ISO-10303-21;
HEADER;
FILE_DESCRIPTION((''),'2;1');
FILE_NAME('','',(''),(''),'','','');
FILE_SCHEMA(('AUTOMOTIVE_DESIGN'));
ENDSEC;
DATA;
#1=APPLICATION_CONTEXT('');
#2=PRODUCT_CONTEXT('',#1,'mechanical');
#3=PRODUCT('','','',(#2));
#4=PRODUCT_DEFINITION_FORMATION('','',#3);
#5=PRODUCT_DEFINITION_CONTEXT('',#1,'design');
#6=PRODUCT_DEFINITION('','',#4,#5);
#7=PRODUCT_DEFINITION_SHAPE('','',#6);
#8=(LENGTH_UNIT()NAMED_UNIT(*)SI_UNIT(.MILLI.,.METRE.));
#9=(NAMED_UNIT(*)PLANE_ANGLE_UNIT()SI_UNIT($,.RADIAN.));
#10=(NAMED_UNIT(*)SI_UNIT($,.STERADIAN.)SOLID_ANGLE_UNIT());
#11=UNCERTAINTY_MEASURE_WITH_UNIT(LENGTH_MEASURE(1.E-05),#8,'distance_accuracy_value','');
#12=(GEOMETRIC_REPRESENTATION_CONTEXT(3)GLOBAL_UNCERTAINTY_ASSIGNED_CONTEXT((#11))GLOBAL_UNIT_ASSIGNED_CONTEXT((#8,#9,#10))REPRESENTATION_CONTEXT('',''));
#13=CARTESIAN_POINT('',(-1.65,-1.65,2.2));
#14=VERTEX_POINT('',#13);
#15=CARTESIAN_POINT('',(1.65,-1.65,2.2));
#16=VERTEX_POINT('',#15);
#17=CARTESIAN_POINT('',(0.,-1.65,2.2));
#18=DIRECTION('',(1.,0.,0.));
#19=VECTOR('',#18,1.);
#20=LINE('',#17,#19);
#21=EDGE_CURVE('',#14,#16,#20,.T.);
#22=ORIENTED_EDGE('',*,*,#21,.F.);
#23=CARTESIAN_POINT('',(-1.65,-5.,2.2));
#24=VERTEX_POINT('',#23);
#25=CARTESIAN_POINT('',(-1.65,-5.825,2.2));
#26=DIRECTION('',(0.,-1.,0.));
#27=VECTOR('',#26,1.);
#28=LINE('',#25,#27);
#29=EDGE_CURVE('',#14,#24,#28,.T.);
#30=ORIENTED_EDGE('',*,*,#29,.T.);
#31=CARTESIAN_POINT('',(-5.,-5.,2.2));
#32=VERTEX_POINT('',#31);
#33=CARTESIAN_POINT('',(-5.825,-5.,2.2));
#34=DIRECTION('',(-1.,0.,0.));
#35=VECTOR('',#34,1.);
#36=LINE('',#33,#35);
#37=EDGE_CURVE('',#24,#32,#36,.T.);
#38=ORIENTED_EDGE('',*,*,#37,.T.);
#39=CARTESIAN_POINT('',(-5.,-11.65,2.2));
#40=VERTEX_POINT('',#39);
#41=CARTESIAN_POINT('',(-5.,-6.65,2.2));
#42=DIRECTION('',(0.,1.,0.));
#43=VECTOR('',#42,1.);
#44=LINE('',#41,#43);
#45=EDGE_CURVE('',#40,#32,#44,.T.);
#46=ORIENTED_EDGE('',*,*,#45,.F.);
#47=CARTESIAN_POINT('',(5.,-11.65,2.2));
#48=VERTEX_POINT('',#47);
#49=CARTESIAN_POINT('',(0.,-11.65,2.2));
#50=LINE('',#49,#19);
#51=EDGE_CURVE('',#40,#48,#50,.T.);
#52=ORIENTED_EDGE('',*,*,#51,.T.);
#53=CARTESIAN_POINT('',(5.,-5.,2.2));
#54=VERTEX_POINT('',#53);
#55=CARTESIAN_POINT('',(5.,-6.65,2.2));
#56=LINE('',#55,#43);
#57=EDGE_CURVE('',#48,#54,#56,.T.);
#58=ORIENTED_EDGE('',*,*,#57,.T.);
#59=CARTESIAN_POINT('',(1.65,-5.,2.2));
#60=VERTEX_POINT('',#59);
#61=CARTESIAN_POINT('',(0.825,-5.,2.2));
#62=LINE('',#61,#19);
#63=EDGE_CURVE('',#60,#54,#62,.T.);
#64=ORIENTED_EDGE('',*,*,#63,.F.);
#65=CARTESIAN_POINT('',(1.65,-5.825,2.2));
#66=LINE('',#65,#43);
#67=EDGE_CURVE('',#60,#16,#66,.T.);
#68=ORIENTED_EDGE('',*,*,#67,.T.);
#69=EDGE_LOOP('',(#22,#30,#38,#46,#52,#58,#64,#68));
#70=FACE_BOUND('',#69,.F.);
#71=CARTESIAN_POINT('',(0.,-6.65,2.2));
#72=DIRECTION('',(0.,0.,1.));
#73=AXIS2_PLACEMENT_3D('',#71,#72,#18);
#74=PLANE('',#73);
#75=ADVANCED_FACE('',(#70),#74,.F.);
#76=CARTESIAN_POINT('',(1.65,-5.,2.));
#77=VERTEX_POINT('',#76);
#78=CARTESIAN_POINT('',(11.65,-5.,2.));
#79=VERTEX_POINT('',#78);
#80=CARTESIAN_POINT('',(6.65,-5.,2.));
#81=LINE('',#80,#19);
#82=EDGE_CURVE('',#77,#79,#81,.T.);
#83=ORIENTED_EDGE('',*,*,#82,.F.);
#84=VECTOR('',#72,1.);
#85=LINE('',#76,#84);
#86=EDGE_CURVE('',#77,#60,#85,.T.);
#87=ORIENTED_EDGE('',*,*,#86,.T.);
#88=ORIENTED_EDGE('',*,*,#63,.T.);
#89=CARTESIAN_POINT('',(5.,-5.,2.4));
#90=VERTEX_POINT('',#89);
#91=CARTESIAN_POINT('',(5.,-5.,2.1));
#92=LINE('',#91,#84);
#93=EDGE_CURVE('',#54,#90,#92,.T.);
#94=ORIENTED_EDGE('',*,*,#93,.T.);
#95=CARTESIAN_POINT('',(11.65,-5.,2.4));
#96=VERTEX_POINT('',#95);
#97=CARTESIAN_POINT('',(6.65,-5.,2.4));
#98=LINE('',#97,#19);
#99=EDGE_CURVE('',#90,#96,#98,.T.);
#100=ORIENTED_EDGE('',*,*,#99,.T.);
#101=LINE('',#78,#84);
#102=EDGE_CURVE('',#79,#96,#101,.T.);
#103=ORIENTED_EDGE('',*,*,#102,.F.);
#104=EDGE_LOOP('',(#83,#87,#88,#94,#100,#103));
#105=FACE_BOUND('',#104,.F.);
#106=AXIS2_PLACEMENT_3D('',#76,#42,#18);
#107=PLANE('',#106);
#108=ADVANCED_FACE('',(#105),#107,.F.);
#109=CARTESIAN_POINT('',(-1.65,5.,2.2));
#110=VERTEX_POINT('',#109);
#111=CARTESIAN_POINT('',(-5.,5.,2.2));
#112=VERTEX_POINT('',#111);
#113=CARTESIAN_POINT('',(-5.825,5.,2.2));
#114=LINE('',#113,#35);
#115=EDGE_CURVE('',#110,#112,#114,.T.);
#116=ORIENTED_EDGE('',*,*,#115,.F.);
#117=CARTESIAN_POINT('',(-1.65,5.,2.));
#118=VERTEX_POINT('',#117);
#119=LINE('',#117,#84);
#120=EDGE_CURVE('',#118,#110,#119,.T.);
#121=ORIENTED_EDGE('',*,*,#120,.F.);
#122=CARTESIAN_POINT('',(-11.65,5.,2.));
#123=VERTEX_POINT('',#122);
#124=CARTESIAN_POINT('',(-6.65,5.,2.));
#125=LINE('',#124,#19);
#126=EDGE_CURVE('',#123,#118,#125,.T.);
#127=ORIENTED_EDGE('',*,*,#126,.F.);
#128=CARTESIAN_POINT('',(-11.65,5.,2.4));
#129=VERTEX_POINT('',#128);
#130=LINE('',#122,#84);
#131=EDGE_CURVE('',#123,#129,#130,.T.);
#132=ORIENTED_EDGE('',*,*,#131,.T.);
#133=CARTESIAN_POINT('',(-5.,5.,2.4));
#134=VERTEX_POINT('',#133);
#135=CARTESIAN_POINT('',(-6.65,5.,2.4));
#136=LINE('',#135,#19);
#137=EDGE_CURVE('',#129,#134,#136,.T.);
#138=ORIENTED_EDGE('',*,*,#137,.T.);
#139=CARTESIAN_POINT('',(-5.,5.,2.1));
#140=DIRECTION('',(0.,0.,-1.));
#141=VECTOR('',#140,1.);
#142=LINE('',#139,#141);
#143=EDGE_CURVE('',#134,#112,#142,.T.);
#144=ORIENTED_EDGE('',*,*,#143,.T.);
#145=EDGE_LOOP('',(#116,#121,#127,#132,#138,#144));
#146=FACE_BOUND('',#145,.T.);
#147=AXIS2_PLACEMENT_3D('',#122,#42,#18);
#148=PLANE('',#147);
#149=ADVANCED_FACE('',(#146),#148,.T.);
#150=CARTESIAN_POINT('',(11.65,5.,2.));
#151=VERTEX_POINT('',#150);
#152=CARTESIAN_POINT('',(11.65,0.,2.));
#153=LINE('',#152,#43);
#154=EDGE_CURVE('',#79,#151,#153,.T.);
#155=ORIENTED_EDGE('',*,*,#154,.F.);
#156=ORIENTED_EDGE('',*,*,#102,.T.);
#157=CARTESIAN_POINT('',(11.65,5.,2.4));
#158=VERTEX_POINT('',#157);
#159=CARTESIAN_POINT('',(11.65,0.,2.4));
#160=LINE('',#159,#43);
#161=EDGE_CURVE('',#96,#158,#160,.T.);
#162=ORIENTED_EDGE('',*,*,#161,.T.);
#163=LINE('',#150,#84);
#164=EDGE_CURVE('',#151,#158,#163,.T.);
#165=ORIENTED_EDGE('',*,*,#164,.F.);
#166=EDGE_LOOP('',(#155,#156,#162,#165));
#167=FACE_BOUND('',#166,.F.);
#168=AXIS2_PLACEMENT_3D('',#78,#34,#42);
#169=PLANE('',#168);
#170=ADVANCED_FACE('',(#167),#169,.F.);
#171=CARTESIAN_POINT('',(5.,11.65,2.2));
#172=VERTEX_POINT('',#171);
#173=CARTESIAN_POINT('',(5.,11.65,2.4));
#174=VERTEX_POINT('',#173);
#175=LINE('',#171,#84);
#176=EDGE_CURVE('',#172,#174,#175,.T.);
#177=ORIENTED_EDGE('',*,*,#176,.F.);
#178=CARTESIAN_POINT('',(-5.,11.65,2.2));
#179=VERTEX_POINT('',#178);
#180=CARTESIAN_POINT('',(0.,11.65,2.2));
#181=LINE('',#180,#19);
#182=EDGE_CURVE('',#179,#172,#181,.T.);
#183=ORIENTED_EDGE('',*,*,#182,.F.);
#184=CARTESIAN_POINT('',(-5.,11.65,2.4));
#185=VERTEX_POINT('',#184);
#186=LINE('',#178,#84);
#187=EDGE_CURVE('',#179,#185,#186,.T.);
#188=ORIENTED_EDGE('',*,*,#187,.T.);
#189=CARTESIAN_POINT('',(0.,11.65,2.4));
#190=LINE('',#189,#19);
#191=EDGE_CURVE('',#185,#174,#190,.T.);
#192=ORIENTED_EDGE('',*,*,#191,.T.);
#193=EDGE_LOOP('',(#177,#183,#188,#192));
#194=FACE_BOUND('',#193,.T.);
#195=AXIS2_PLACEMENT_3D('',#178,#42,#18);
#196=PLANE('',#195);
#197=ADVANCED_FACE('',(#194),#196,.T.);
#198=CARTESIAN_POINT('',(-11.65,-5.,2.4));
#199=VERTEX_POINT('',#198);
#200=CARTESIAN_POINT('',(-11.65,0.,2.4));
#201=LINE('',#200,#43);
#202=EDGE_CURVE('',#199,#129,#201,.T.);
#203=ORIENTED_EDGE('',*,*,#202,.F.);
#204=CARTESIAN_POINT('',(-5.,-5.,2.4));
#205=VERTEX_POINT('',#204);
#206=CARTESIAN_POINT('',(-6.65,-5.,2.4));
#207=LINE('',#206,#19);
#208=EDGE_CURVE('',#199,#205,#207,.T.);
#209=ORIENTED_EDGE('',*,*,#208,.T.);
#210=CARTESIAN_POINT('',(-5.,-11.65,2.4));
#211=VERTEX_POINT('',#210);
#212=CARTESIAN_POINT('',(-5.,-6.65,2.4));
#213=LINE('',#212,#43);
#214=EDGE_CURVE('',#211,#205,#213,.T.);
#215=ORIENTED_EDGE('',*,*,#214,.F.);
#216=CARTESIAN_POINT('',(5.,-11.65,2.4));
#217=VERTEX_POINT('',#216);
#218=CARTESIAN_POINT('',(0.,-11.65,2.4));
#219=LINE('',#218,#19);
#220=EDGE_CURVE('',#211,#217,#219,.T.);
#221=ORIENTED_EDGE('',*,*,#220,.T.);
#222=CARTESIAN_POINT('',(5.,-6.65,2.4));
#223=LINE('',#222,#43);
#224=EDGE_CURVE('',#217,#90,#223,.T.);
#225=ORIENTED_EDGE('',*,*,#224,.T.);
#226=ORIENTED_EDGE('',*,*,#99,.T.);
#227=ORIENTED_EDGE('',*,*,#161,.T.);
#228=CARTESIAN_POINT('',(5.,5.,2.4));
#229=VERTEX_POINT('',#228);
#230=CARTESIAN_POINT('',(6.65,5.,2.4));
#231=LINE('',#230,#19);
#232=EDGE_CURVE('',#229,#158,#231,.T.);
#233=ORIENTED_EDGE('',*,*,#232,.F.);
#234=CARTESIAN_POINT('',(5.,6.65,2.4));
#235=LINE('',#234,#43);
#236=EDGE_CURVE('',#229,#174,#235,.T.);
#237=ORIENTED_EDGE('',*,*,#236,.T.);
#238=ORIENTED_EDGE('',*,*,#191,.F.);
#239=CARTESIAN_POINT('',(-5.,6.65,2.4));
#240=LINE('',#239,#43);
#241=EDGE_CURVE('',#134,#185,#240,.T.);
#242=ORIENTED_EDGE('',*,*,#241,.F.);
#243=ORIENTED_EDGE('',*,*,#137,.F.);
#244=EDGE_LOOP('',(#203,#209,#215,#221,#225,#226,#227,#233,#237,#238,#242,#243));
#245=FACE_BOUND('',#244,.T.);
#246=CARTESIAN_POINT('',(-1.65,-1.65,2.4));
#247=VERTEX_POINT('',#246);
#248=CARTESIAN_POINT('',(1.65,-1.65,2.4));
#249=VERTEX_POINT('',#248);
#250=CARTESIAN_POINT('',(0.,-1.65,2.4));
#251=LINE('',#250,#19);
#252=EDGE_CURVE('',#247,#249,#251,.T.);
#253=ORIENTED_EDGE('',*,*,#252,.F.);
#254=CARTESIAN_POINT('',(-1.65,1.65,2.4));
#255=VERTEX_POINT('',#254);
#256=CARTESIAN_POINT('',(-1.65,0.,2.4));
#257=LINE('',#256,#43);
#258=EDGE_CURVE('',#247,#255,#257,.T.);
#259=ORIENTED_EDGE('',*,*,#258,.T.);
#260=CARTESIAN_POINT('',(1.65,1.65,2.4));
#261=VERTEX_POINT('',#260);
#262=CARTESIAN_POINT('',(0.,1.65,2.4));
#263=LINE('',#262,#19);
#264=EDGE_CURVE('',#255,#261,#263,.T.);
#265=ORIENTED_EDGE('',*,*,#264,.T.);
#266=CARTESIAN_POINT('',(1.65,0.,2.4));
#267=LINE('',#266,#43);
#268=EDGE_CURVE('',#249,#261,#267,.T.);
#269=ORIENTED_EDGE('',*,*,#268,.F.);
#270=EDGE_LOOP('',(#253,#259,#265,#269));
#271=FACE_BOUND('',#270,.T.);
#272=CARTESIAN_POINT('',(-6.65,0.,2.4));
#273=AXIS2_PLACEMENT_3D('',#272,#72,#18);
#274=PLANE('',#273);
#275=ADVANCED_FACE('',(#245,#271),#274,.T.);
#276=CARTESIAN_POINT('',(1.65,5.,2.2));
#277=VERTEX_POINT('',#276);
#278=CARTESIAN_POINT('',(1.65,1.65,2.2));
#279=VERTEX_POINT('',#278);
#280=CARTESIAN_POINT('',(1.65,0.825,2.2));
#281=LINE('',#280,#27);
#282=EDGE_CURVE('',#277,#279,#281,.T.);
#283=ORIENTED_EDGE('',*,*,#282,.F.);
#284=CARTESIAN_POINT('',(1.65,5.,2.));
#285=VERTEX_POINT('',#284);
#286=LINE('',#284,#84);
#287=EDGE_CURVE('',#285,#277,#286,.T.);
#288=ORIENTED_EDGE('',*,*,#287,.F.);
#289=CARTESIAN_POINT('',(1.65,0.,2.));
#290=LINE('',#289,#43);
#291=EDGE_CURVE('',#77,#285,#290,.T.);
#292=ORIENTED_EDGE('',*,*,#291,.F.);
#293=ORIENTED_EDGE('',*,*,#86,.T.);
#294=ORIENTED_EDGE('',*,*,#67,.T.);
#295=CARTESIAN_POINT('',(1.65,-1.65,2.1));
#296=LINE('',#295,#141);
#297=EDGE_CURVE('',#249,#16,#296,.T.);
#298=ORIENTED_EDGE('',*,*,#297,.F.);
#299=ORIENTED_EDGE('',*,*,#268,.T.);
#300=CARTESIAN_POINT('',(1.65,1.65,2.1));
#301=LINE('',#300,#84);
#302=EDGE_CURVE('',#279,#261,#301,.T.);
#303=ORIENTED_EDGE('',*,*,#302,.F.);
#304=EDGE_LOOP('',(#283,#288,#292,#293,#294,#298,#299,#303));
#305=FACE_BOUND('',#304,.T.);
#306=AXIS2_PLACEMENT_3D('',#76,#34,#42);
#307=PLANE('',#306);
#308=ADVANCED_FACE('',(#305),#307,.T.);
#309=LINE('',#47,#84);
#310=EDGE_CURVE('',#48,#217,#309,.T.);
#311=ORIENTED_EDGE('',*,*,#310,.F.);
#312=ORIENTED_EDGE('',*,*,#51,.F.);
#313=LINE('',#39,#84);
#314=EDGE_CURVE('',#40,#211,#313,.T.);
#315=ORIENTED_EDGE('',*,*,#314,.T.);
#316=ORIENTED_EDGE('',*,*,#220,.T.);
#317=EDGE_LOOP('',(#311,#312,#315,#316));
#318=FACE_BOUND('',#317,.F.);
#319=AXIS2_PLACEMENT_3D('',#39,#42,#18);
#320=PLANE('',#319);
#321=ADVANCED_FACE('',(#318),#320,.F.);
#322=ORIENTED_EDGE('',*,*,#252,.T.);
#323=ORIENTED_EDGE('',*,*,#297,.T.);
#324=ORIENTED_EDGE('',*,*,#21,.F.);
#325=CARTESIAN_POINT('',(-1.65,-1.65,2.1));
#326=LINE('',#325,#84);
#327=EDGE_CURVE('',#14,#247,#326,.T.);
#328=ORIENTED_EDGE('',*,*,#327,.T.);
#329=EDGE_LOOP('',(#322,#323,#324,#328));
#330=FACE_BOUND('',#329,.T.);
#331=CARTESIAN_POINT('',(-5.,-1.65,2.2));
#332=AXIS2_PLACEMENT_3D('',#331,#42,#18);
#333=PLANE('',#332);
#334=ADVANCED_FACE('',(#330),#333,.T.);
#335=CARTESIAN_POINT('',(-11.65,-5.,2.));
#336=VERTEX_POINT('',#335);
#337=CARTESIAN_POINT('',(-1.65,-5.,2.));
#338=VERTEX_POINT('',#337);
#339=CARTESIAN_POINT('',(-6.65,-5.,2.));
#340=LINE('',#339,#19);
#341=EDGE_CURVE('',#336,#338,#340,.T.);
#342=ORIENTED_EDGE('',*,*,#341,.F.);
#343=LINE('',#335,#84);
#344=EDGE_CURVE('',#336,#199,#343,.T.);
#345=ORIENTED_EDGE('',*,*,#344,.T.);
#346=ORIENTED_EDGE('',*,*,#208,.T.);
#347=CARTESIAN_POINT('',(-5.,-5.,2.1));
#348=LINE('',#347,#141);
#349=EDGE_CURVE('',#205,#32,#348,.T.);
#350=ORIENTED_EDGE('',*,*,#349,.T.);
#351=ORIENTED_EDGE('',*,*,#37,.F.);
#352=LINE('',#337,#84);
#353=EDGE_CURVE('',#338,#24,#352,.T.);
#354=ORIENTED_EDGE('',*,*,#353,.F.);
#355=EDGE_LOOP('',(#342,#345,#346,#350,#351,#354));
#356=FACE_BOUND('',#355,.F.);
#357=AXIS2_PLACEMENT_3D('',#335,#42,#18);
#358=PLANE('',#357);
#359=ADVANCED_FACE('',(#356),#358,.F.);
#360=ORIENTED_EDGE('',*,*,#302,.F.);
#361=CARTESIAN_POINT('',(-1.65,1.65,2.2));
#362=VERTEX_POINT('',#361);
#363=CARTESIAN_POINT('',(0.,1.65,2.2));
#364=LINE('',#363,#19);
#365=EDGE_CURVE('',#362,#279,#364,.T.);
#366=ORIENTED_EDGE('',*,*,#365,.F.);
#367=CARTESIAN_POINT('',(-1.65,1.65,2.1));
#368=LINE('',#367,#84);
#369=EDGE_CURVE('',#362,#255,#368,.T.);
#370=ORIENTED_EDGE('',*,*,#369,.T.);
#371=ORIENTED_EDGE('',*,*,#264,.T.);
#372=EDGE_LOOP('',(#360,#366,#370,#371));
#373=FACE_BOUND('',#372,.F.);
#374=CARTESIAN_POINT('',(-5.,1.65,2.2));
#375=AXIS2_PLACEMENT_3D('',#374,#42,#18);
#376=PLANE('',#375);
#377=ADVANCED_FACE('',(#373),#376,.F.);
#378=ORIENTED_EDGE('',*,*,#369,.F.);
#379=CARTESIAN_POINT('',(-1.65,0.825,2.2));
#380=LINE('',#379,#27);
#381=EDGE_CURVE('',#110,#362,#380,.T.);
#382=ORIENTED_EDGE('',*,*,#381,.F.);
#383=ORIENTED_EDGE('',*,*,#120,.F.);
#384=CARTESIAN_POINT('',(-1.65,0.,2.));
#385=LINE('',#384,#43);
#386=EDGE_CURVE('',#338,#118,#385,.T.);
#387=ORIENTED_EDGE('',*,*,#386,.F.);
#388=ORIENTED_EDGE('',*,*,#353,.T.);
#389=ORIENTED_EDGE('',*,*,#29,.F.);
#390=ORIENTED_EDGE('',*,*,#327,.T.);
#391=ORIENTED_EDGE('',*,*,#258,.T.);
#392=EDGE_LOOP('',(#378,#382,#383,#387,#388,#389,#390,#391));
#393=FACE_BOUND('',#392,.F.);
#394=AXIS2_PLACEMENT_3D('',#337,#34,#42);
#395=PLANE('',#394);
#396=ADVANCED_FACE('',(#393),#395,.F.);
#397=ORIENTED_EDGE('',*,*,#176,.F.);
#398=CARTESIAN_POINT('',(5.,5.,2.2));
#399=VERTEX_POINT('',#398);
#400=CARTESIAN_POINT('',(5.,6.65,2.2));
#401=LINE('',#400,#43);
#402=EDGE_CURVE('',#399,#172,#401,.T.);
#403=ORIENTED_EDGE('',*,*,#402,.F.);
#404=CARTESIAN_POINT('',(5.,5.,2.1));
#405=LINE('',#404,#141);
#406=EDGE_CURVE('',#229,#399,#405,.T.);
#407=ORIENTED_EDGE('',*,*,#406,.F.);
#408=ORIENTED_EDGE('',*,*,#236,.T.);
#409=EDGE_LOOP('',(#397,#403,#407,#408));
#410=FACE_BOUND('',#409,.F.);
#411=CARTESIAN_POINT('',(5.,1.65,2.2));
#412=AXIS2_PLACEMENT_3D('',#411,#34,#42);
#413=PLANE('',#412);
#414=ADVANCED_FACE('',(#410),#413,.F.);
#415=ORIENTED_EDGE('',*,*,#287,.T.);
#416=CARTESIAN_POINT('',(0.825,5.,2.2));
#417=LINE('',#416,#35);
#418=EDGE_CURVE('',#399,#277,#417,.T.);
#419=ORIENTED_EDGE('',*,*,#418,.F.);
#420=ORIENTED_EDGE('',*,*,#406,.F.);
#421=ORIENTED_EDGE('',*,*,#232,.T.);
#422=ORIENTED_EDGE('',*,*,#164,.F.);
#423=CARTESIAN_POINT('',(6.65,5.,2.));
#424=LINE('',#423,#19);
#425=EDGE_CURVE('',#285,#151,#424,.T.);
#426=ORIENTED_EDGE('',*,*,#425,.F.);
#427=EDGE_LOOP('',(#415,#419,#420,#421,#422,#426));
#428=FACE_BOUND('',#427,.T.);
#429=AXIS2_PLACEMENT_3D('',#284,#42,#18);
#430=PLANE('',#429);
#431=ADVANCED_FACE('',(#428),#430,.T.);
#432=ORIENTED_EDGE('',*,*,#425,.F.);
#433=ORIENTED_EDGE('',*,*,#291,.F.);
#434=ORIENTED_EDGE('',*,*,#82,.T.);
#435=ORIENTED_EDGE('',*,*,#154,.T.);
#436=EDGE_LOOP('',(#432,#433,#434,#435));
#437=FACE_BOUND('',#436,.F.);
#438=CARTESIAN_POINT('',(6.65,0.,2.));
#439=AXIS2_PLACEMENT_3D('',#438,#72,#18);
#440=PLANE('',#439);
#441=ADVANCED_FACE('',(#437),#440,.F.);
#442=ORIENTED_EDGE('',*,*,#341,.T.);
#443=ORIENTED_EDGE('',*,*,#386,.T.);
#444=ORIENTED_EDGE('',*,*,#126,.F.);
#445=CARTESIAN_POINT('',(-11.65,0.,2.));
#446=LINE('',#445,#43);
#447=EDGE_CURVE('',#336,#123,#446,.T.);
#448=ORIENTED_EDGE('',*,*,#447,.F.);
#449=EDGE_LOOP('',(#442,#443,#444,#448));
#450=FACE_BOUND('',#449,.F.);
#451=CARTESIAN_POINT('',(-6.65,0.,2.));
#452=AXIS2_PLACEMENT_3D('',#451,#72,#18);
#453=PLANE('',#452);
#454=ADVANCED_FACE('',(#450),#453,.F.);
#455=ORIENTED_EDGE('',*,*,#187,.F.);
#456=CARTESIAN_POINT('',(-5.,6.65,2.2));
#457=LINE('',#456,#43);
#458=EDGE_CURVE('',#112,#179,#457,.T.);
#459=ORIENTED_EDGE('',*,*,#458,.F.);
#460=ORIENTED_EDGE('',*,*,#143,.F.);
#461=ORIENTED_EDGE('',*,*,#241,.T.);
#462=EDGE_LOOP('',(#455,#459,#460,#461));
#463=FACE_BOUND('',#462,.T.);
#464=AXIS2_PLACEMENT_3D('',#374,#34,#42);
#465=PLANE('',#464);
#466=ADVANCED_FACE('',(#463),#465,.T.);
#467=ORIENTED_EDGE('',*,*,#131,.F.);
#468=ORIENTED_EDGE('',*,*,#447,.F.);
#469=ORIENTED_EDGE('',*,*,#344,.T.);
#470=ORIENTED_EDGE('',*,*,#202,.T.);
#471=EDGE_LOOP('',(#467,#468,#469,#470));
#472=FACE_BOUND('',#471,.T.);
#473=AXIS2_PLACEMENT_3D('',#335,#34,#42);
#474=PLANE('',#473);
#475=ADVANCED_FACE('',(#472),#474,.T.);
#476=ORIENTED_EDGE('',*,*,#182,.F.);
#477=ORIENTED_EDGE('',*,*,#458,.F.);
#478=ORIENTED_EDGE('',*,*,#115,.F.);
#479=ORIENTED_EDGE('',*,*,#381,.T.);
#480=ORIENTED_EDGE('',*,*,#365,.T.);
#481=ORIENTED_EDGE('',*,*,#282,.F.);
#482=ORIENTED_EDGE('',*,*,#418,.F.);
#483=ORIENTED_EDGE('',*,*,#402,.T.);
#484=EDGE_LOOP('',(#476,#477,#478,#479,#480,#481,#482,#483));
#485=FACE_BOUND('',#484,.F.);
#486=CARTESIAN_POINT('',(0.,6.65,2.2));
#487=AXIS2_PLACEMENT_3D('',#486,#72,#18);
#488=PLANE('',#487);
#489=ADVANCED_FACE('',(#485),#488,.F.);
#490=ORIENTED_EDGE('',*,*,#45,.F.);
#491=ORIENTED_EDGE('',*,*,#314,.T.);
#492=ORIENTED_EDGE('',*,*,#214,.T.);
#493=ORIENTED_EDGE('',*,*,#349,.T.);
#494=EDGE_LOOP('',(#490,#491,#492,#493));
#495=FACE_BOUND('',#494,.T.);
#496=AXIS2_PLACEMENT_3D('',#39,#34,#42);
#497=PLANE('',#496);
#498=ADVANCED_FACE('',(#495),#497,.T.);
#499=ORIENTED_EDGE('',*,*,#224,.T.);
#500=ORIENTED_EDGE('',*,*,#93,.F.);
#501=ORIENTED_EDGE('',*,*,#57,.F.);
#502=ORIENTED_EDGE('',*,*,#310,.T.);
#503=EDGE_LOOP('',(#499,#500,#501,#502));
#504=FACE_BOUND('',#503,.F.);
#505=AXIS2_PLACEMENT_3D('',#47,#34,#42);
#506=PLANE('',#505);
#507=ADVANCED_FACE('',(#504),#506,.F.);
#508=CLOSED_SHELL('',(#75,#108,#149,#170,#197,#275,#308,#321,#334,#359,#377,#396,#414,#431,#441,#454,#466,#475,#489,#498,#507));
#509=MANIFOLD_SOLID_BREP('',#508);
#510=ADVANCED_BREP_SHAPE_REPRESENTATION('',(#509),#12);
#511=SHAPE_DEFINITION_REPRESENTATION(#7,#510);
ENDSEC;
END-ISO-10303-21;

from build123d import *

# Parameters (mm, degrees)
BOX021_W     = 10
BOX021_H     = 10
BOX021_DEPTH = 0.4
BOX020_W     = 10
BOX020_H     = 10
BOX020_DEPTH = 0.2
BOX022_W     = 10
BOX022_H     = 10
BOX022_DEPTH = 0.4
BOX019_W     = 10
BOX019_H     = 10
BOX019_DEPTH = 0.2


with BuildPart() as cube021:
    # Box021 → Box021 (new body)
    with BuildSketch(Plane(origin=(1.65, -5, 0), x_dir=(1, 0, 0), z_dir=(0, 0, 1))):
        with Locations((5, 5)):
            Rectangle(BOX021_W, BOX021_H)
    extrude(amount=BOX021_DEPTH)


with BuildPart() as cube020:
    # Box020 → Box020 (new body)
    with BuildSketch(Plane(origin=(-5, -11.65, 0.2), x_dir=(1, 0, 0), z_dir=(0, 0, 1))):
        with Locations((5, 5)):
            Rectangle(BOX020_W, BOX020_H)
    extrude(amount=BOX020_DEPTH)


with BuildPart() as cube022:
    # Box022 → Box022 (new body)
    with BuildSketch(Plane(origin=(-11.65, -5, 0), x_dir=(1, 0, 0), z_dir=(0, 0, 1))):
        with Locations((5, 5)):
            Rectangle(BOX022_W, BOX022_H)
    extrude(amount=BOX022_DEPTH)


with BuildPart() as f_165_sp:
    # Box019 → Box019 (new body)
    with BuildSketch(Plane(origin=(-5, 1.65, 0.2), x_dir=(1, 0, 0), z_dir=(0, 0, 1))):
        with Locations((5, 5)):
            Rectangle(BOX019_W, BOX019_H)
    extrude(amount=BOX019_DEPTH)

    # Fusion021: union Cube021, Cube020, Cube022
    add(cube021.part)
    add(cube020.part)
    add(cube022.part)


with BuildPart() as f_165_sp_1:
    # Fusion021 placement: moved
    add(f_165_sp.part.moved(Location((0, 0, 2))))


solid = f_165_sp_1.part
